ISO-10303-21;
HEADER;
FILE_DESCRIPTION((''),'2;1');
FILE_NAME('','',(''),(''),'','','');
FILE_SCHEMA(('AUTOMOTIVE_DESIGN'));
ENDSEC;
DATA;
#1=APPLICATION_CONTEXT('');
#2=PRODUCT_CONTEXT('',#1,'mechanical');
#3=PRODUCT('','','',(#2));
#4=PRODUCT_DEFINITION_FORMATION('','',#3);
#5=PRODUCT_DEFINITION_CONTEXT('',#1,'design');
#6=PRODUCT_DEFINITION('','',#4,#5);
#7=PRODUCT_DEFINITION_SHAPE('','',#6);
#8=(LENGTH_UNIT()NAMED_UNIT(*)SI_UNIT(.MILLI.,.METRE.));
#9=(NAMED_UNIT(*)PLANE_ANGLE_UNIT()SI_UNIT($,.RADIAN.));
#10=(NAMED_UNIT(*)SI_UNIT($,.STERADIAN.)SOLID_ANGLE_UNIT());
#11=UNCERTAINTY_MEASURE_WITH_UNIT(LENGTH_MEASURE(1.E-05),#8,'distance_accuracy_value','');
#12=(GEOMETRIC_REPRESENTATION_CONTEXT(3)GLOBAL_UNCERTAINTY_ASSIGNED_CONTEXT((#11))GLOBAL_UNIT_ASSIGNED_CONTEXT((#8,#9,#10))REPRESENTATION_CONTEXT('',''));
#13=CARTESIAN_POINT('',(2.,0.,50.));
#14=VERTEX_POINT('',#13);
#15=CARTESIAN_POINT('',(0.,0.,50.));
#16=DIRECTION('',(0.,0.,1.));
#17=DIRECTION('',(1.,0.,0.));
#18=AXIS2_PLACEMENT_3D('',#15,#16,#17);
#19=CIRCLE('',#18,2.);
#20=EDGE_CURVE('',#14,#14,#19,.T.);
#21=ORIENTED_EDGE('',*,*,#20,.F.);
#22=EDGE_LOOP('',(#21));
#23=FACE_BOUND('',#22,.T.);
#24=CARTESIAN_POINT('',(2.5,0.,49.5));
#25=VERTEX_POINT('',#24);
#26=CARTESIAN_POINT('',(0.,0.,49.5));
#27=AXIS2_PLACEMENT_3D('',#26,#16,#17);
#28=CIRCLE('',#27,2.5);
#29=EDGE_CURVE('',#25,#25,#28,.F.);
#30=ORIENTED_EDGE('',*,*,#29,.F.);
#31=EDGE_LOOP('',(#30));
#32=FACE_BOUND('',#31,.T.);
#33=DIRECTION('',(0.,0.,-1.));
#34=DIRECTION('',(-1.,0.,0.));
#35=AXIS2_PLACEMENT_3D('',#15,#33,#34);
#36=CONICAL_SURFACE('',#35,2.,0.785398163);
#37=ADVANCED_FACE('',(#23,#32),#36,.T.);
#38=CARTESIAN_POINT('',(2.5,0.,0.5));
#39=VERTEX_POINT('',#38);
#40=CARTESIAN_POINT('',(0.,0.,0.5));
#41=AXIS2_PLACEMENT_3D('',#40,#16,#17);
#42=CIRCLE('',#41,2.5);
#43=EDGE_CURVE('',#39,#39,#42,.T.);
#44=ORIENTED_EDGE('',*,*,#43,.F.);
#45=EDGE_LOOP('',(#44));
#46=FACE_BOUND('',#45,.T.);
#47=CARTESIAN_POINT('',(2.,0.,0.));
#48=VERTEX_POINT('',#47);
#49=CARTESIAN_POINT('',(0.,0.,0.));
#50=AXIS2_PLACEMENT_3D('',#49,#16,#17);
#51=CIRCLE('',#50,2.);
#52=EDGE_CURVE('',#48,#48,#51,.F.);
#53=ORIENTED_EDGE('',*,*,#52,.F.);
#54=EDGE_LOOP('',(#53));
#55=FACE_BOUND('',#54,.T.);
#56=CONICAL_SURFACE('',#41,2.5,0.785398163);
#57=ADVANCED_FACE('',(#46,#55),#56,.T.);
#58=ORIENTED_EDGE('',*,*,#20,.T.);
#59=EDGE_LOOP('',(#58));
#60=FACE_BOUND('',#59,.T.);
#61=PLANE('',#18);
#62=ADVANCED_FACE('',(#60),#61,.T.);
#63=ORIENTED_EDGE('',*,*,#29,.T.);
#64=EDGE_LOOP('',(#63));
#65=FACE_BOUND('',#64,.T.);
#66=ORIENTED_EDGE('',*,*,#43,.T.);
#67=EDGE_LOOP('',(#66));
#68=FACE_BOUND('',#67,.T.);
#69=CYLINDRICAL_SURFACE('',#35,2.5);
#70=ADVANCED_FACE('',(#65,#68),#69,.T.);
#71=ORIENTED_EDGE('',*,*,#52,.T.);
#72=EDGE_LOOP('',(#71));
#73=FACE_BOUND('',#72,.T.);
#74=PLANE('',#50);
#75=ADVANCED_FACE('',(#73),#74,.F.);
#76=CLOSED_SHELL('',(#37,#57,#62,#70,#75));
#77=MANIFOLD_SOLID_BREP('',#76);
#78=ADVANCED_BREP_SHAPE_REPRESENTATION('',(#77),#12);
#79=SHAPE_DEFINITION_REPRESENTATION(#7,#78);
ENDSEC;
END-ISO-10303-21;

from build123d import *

# Parameters (mm, degrees)
SKIZZE1_R                       = 2.5
AUFSATZ_LINEAR_AUSTRAGEN1_DEPTH = 50
FASE1_SIZE                      = 0.5


with BuildPart() as part:
    # Skizze1 → Aufsatz-Linear austragen1 (new body)
    with BuildSketch(Plane.XY):
        Circle(SKIZZE1_R)
    extrude(amount=AUFSATZ_LINEAR_AUSTRAGEN1_DEPTH)

    # Fase1
    fase1_edges = [part.edges().sort_by_distance(p)[0] for p in [
        (-2.5, 0, 0),
        (-2.5, 0, 50),
    ]]
    chamfer(fase1_edges, length=FASE1_SIZE)


solid = part.part
